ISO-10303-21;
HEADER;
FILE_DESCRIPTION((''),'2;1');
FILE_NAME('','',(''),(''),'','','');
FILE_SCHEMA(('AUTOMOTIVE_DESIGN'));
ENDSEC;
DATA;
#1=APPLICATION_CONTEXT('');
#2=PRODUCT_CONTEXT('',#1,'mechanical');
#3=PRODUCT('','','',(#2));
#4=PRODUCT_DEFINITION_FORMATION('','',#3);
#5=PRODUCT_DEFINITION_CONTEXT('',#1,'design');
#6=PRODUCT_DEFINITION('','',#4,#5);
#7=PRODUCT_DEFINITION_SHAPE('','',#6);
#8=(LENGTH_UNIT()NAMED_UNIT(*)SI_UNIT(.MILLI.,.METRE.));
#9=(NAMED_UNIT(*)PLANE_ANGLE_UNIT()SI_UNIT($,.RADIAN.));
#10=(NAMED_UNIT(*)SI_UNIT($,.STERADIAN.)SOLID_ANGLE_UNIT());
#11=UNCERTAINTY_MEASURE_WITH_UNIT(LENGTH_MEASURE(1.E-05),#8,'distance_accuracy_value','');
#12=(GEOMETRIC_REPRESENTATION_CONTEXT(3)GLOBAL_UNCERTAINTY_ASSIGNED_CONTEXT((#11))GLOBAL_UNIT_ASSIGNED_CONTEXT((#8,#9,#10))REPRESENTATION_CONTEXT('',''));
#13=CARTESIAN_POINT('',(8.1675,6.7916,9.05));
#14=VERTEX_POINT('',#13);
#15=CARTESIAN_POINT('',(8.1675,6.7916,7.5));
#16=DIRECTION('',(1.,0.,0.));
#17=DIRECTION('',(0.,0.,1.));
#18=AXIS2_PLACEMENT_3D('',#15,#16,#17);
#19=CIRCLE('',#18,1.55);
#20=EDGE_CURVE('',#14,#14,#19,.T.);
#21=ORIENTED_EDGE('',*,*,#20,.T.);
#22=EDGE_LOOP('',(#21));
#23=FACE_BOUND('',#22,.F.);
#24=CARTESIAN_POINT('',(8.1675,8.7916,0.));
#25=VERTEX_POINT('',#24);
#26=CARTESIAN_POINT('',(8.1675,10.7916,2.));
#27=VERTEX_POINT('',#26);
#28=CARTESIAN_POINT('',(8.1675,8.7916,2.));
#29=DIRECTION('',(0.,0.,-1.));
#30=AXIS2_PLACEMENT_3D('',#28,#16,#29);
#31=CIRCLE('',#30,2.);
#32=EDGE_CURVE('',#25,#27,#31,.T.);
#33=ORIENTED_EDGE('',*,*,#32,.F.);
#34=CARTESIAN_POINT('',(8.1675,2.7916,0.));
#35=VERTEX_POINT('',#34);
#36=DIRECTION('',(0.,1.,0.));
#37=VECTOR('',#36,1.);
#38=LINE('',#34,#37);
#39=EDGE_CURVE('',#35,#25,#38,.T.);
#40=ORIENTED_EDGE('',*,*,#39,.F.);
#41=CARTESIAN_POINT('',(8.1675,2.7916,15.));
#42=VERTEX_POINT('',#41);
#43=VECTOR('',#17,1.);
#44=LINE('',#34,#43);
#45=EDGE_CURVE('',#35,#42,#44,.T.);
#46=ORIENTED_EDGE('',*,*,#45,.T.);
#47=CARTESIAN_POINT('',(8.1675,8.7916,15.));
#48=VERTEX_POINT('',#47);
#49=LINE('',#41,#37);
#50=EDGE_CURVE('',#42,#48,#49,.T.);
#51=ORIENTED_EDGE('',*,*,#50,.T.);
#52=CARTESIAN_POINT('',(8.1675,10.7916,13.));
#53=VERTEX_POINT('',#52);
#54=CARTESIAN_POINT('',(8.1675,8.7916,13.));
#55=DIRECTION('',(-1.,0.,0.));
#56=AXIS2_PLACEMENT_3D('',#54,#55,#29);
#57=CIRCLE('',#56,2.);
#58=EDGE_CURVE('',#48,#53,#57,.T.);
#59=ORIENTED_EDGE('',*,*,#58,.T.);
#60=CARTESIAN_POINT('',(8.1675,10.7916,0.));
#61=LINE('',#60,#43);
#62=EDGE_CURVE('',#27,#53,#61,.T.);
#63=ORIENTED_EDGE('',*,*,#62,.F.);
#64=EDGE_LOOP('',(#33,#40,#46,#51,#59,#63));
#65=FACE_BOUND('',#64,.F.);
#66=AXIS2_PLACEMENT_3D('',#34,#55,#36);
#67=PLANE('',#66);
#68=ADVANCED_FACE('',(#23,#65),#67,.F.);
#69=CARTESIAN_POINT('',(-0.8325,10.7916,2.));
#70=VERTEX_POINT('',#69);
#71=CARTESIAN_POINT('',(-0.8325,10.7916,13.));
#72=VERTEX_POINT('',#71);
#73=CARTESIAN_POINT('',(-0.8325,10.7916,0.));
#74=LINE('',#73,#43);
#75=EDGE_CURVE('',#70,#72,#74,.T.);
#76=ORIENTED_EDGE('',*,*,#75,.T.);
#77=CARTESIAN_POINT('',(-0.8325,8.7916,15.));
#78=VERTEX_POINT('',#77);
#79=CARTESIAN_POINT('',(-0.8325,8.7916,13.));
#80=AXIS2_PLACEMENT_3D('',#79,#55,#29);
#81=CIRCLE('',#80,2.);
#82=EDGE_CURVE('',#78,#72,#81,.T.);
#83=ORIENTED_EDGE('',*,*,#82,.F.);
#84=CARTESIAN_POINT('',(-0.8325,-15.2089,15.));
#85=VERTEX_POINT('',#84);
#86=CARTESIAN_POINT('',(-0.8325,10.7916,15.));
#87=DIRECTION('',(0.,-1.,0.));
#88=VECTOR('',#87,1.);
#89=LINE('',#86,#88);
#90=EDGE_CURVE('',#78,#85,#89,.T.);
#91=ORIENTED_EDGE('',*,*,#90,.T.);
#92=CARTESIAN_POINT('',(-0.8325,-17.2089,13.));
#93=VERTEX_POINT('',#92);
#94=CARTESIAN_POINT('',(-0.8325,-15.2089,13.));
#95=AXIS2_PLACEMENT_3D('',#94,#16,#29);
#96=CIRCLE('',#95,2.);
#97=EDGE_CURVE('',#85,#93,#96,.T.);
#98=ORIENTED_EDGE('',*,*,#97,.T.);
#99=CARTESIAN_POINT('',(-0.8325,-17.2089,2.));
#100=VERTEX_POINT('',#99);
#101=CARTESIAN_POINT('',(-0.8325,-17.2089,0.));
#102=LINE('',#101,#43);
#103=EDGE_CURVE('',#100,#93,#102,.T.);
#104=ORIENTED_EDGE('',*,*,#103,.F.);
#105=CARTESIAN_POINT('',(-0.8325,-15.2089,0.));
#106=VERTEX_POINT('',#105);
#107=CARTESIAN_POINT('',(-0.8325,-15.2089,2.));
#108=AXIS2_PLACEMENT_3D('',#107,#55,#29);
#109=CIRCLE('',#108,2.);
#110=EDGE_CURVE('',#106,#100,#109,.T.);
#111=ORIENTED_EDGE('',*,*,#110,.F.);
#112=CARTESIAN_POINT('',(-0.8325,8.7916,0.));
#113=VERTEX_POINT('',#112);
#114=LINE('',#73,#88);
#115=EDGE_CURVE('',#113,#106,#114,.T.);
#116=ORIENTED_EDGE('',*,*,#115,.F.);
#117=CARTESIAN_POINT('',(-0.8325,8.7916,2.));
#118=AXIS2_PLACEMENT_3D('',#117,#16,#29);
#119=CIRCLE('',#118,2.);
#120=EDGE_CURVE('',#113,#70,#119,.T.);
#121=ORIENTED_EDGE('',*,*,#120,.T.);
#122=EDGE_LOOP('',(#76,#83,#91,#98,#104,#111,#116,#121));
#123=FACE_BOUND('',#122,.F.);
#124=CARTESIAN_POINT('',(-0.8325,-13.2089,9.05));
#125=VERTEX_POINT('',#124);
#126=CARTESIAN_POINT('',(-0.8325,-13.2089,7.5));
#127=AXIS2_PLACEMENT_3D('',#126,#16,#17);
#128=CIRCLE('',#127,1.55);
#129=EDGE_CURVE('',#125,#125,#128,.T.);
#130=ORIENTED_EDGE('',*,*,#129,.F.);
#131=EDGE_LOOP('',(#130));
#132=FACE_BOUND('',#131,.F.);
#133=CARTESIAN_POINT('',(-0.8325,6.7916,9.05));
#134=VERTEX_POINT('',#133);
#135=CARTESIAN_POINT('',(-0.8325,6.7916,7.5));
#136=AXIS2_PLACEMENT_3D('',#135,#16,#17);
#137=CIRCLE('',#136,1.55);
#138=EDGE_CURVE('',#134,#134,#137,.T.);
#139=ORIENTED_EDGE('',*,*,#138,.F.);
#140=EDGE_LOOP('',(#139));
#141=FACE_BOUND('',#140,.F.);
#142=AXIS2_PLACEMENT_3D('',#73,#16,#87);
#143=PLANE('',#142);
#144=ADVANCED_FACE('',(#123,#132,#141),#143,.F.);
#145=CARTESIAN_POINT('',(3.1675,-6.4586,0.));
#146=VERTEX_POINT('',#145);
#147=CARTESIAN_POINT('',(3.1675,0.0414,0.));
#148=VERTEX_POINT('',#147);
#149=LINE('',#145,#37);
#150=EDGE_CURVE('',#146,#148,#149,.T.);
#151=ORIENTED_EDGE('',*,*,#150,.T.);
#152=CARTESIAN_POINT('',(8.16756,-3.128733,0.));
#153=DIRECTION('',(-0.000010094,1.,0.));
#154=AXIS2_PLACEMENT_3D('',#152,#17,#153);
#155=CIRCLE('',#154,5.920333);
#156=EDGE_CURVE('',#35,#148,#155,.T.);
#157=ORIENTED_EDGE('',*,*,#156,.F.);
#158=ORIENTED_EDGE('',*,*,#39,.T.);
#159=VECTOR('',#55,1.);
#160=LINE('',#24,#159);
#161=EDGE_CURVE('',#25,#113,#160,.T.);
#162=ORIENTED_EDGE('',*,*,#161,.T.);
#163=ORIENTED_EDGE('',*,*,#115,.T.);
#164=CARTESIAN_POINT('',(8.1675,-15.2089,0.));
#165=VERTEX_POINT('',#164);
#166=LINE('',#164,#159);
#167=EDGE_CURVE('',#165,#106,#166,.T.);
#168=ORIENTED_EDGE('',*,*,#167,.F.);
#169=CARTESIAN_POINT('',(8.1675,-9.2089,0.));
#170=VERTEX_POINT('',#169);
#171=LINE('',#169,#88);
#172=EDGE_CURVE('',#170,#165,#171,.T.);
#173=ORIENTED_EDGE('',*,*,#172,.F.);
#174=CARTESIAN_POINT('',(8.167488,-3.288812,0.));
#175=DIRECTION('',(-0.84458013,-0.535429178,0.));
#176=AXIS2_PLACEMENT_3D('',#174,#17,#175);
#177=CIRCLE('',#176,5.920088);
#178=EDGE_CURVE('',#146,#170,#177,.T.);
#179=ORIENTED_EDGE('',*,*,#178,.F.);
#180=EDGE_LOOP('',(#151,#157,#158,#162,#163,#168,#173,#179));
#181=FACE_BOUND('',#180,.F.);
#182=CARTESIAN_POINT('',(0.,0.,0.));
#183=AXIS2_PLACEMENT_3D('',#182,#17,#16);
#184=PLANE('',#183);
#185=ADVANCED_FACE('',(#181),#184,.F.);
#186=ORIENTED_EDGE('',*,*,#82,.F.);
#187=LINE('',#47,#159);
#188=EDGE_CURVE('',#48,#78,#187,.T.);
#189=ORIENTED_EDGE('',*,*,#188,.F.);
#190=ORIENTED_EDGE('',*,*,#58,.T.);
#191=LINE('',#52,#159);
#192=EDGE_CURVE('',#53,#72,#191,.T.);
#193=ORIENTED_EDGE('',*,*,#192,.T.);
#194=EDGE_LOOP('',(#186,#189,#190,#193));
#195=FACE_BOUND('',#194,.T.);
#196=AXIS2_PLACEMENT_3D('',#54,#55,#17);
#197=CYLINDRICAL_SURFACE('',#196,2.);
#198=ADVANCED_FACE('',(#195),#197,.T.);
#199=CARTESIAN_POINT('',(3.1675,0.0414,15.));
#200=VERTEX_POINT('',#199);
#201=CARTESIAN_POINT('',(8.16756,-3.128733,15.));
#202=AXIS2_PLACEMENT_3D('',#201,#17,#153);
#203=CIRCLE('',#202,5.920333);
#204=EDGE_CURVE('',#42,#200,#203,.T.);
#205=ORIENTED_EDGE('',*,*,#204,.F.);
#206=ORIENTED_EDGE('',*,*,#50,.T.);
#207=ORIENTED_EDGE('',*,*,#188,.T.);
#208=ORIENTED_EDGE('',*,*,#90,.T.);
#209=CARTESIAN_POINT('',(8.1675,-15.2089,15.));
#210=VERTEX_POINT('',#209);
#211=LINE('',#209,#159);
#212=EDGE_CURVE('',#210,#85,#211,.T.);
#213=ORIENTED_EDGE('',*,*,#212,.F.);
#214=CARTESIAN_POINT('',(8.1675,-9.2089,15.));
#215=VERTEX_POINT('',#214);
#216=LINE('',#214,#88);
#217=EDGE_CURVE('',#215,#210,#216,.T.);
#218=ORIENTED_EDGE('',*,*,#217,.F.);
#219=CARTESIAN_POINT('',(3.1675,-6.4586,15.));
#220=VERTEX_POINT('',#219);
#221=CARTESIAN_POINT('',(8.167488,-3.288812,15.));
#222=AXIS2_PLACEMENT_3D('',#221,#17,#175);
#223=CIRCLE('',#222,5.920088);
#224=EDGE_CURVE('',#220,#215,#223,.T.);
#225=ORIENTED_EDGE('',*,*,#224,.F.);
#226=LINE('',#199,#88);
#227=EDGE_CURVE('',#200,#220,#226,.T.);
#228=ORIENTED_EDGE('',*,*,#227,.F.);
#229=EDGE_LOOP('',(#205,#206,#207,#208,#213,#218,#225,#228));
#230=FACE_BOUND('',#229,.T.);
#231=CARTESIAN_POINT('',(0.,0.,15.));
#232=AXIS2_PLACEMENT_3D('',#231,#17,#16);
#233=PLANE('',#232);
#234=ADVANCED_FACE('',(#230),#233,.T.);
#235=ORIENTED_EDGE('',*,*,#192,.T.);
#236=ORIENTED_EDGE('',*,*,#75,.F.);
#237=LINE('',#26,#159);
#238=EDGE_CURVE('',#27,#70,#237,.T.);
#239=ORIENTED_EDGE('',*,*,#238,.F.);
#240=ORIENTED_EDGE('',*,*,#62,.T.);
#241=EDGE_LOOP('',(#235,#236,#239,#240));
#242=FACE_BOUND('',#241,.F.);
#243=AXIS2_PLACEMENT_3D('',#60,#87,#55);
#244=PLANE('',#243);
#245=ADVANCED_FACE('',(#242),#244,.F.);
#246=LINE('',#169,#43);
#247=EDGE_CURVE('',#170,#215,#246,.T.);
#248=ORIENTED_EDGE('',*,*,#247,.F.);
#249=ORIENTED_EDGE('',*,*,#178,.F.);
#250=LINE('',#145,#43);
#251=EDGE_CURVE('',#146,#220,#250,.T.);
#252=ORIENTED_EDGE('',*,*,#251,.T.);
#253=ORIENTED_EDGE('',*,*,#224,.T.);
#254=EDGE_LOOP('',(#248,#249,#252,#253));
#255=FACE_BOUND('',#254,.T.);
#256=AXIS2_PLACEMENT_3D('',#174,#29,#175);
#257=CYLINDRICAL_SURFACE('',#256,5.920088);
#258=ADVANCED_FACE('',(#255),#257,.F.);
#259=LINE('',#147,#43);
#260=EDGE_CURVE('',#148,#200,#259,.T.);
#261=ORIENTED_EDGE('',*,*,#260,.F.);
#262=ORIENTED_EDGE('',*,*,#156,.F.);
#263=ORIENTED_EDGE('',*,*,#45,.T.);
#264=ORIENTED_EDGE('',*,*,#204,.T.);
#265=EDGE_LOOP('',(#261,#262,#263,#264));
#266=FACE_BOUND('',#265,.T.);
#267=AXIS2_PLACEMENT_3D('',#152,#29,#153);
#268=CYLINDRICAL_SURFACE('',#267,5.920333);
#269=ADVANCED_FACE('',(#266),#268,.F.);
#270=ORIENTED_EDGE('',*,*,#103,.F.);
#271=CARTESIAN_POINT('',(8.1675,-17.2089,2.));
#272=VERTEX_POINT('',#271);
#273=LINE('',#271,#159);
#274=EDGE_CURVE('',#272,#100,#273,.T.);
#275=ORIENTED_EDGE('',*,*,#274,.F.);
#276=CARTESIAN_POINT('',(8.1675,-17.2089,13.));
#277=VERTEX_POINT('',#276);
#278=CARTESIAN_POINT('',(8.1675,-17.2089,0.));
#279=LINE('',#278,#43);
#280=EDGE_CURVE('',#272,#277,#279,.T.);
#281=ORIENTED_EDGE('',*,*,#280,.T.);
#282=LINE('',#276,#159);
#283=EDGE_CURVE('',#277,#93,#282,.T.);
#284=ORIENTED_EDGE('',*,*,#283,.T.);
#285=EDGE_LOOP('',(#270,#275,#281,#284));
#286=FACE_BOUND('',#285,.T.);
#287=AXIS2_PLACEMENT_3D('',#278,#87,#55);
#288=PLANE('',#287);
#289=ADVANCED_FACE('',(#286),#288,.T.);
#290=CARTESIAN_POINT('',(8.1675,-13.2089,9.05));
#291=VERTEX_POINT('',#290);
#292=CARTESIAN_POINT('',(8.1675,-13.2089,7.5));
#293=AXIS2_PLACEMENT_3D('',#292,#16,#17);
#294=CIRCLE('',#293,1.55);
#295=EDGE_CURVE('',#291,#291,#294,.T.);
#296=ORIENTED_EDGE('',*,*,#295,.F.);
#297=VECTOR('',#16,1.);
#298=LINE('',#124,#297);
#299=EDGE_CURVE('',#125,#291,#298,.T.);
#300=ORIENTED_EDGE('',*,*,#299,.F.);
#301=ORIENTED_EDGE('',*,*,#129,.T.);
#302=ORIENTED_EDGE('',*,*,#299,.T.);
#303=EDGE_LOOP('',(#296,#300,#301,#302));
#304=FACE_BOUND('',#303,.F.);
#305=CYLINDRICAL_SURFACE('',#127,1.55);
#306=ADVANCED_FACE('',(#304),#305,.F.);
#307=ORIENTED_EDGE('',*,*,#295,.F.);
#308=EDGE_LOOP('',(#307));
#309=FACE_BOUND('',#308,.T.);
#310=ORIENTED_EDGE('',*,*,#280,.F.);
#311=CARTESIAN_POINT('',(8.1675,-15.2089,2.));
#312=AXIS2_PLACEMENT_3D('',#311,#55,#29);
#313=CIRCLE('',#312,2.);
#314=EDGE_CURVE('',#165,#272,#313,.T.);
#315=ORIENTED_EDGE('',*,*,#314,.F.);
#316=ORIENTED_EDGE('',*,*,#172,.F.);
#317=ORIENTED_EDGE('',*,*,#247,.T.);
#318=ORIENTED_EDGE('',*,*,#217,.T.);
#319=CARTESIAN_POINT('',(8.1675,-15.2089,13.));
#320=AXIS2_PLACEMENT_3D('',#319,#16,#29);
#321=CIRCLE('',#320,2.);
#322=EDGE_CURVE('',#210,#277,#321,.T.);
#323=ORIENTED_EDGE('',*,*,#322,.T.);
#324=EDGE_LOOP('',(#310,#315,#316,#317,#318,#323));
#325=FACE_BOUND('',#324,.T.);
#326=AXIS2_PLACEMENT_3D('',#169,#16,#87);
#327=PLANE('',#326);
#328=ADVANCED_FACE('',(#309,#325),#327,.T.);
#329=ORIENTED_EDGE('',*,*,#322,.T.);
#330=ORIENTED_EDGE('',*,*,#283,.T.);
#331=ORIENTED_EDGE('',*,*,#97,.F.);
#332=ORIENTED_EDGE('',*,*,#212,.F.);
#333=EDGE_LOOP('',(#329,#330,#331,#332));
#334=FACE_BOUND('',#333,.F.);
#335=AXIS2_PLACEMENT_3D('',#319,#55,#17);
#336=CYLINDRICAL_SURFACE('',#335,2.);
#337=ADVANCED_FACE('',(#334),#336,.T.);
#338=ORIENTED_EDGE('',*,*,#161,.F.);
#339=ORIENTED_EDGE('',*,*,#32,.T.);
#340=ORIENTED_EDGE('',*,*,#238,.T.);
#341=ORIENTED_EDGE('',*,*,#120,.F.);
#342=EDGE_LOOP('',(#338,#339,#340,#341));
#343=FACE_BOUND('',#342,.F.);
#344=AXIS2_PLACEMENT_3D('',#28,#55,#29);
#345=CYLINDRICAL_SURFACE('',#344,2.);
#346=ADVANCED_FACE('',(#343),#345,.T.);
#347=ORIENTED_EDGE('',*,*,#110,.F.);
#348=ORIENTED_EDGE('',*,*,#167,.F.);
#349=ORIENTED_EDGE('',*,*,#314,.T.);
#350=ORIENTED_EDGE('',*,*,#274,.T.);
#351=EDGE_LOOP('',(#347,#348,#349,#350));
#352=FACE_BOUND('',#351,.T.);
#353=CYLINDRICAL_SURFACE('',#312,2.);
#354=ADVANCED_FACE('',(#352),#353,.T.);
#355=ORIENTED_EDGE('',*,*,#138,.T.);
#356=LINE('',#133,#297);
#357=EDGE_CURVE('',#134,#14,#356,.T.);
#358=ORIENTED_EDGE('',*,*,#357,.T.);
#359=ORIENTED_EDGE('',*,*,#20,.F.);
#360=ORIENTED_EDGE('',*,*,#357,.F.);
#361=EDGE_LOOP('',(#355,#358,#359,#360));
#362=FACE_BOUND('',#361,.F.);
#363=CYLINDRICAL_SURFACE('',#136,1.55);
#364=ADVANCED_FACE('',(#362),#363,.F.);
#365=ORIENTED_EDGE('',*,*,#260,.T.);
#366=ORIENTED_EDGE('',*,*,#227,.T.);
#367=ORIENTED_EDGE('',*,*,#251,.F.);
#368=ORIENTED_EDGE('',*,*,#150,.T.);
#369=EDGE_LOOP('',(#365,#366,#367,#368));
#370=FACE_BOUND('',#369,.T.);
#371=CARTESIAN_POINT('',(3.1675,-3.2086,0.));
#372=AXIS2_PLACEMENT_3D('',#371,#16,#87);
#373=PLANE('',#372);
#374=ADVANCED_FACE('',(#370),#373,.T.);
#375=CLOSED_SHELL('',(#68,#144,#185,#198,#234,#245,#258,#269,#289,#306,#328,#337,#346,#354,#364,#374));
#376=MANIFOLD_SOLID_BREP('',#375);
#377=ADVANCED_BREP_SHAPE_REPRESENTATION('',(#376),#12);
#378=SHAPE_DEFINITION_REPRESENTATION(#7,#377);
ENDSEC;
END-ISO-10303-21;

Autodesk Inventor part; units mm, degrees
ref_plane "YZ Plane" through (0, 0, 0) normal (1, 0, 0) x (0, 1, 0)
ref_plane "XZ Plane" through (0, 0, 0) normal (0, 1, 0) x (-1, 0, 0)
ref_plane "XY Plane" through (0, 0, 0) normal (0, 0, 1) x (1, 0, 0)
sketch "Sketch2" plane through (0, 0, 0) normal (0, 0, 1) x (1, 0, 0)
  line L0 (3.1675, -3.2086) -> (3.1675, 0.0414)
  arc A0 (8.1675, 2.7916) -> (3.1675, 0.0414) centre (8.1675, -3.1285) ccw
  line L1 (5.3308, -15.8516) -> (5.3308, -15.8516)
  line L2 (8.1675, 2.7916) -> (8.1675, 10.7916)
  line L3 (3.1675, -3.2086) -> (3.1675, -6.4586)
  arc A1 (3.1675, -6.4586) -> (8.1675, -9.2089) centre (8.1675, -3.2888) ccw
  line L4 (8.1675, -9.2089) -> (8.1675, -17.2089)
  line L5 (8.1675, 10.7916) -> (-0.8325, 10.7916)
  line L6 (8.1675, -17.2089) -> (-0.8325, -17.2089)
  line L7 (-0.8325, 10.7916) -> (-0.8325, -17.2089)
  point P0 (0, 0)
  point P1 (8.1675, -9.2089)
  dimension "d10" = 9
  dimension "d11" = 4
extrude "Extrusion2" add sketch "Sketch2" along normal blind 15
ref_plane "Work Plane1" through (-0.8325, -3.2086, 0) normal (0, 1, 0) x (1, 0, 0)
sketch "Sketch3" plane through (-0.8325, -17.2089, 0) normal (-1, 0, 0) x (0, 0, 1)
  line L0 (0, 28.0006) -> (0, 0) projected
  line L1 (0, 0) -> (15, 0) projected
  line L2 (0, 28.0006) -> (15, 28.0006) projected
  point P0 (7.5, 4)
  point P1 (7.5, 24.0006)
  point P2 (7.5, 0)
  point P3 (7.5, 28.0006)
  dimension "d16" = 7.5
  dimension "d17" = 4
  dimension "d18" = 4
  dimension "d19" = 7.5
hole "Hole1" at (-0.8325, -13.2089, 7.5) at (-0.8325, 6.7916, 7.5) direction (1, 0, 0) diameter 3.1 end through all
fillet "Fillet1" radius 2 4 edges at (3.6675, 10.7916, 15) (3.6675, 10.7916, 0) (3.6675, -17.2089, 0) (3.6675, -17.2089, 15)
properties part number "podstawka silnika_CPY" material "ABS Plastic"
